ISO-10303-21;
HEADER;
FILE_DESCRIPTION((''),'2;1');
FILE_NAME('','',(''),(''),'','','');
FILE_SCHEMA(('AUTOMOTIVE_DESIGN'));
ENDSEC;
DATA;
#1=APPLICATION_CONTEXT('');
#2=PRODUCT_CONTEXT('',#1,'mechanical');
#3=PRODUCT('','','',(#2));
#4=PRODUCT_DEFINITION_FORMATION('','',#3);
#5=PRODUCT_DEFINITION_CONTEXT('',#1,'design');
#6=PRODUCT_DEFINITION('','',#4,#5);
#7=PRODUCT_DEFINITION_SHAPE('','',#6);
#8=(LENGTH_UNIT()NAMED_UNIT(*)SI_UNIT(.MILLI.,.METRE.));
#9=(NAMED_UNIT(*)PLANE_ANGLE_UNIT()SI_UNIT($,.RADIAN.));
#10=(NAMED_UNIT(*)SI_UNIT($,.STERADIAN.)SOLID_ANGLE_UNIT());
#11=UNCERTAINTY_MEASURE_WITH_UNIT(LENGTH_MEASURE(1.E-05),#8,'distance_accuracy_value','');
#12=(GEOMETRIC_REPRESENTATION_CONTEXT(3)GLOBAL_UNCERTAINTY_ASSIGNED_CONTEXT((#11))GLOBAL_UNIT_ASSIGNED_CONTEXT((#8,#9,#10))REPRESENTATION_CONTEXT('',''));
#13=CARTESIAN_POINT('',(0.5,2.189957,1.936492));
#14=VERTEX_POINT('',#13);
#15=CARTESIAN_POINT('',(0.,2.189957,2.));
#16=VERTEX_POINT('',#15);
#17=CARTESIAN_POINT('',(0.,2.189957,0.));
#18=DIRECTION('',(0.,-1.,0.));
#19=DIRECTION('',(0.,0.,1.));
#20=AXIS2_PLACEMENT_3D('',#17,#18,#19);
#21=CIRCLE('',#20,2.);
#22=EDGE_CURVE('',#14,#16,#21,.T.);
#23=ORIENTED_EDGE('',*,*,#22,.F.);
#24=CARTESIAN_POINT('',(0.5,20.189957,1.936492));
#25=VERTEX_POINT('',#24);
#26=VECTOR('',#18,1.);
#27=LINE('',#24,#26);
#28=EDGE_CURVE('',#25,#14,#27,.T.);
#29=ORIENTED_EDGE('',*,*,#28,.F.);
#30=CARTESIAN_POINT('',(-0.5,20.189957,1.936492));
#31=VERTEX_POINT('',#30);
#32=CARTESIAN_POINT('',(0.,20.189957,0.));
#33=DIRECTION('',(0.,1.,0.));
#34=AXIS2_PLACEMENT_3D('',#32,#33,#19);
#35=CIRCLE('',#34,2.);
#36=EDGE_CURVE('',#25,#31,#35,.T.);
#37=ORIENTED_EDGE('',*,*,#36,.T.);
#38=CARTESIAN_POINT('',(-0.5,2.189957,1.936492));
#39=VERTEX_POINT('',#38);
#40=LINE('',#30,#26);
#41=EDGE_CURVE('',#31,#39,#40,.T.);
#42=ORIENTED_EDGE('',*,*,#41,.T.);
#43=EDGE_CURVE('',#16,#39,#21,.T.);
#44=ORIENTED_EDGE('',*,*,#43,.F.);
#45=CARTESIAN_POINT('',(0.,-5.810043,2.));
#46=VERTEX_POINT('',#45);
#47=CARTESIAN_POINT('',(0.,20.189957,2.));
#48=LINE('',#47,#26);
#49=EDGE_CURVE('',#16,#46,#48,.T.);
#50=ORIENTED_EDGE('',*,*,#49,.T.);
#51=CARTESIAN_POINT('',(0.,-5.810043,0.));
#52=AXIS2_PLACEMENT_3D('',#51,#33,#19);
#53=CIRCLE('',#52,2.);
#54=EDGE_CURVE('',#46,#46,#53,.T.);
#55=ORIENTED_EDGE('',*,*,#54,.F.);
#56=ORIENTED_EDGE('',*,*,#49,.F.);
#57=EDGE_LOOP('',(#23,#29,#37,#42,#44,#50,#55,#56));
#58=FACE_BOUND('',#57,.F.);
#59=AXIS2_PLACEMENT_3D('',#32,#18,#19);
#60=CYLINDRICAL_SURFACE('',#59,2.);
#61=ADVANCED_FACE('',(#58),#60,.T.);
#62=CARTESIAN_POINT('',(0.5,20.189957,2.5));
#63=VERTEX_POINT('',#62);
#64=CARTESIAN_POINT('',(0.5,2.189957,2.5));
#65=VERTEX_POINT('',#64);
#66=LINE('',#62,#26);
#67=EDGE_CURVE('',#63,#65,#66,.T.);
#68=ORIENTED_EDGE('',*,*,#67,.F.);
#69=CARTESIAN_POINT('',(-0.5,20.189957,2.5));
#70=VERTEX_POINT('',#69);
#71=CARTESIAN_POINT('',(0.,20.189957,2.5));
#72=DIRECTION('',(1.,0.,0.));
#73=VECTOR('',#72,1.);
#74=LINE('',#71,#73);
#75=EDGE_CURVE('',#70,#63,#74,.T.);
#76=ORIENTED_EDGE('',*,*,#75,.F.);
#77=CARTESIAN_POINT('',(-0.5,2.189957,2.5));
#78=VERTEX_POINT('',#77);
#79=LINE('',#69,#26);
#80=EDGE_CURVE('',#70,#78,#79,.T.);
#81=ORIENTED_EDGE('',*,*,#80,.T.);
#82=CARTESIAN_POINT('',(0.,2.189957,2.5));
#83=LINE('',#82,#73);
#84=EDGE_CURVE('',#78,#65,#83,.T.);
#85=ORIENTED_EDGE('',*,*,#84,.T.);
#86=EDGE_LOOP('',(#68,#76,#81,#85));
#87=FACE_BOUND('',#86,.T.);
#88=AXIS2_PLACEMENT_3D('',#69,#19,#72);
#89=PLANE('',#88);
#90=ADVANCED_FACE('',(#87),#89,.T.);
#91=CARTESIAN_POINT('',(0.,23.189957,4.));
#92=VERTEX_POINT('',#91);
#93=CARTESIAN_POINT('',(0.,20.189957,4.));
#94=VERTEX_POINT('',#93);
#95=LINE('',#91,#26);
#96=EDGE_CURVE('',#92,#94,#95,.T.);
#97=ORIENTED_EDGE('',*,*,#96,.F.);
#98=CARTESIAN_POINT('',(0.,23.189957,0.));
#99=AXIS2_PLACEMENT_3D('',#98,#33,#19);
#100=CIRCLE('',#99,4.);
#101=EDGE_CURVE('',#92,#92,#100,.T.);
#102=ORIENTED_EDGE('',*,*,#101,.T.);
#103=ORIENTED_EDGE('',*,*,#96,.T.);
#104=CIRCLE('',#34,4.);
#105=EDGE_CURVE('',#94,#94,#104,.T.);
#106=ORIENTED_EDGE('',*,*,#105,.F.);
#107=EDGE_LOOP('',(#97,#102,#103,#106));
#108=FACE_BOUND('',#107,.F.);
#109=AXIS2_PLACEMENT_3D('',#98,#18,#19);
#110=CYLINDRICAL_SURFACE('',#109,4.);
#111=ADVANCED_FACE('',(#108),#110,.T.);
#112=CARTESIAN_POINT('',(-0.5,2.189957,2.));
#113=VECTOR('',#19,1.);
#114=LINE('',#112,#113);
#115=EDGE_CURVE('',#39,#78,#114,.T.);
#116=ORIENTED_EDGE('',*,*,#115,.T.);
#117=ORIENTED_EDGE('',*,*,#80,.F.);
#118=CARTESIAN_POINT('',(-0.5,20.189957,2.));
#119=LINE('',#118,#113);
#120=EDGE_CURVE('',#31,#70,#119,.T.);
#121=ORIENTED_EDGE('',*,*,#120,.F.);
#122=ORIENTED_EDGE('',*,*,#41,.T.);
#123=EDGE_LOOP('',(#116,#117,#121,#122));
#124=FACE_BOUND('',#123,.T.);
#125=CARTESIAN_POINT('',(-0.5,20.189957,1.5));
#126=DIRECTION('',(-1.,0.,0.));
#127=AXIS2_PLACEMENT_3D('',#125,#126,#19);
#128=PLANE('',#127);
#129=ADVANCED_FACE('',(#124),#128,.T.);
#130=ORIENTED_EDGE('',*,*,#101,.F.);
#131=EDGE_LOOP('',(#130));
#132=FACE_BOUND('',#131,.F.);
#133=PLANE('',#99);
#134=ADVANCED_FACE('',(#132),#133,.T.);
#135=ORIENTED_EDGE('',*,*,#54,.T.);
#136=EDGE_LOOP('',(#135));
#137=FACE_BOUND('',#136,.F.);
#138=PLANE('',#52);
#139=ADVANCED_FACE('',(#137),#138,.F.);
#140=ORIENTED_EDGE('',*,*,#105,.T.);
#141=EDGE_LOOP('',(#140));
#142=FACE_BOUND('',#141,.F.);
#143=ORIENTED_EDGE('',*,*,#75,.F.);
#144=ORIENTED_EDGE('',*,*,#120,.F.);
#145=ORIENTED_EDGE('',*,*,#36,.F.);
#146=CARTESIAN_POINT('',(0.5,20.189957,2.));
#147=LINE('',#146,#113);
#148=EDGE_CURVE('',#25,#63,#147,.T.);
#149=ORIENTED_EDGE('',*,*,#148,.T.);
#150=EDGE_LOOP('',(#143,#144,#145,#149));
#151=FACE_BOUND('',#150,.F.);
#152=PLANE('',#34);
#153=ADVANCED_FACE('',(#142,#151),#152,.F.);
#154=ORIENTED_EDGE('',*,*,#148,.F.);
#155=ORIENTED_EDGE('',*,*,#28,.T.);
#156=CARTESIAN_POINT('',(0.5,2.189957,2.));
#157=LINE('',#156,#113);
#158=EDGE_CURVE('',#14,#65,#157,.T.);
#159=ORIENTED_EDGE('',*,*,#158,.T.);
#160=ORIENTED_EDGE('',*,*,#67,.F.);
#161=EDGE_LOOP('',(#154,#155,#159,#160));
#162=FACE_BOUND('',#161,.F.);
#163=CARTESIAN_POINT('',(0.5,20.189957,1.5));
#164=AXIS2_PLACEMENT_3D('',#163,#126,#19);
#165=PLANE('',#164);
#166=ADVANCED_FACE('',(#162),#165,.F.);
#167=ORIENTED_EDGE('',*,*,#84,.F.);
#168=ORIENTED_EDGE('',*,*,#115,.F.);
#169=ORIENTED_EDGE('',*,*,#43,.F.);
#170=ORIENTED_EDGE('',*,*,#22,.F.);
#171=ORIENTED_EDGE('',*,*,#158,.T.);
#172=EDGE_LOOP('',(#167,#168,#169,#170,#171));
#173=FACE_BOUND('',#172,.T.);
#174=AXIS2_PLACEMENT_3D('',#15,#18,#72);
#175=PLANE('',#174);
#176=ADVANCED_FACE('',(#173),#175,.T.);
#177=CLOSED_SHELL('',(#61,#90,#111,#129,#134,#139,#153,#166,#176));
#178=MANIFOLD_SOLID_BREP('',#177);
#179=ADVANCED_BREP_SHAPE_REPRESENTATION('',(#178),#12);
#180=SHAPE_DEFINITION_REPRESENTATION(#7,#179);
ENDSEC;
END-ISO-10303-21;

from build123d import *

# Parameters (mm, degrees)
F2_W     = 1
F2_H     = 1
F3_DEPTH = 18


with BuildPart() as f1:
    # F0 (on Right) → F1 (revolve)
    with BuildSketch(Plane.YZ):
        Polygon((-5.810043, 0), (23.189957, 0), (23.189957, 4), (20.189957, 4), (20.189957, 2), (-5.810043, 2), align=None)
    revolve(axis=Axis((0, 4.229855, 0), (0, 1, 0)))

    # F2 (on face) → F3 (join)
    with BuildSketch(Plane.XZ.offset(-20.189957)):
        with Locations((0, 2)):
            Rectangle(F2_W, F2_H)
    extrude(amount=F3_DEPTH)


solid = f1.part
